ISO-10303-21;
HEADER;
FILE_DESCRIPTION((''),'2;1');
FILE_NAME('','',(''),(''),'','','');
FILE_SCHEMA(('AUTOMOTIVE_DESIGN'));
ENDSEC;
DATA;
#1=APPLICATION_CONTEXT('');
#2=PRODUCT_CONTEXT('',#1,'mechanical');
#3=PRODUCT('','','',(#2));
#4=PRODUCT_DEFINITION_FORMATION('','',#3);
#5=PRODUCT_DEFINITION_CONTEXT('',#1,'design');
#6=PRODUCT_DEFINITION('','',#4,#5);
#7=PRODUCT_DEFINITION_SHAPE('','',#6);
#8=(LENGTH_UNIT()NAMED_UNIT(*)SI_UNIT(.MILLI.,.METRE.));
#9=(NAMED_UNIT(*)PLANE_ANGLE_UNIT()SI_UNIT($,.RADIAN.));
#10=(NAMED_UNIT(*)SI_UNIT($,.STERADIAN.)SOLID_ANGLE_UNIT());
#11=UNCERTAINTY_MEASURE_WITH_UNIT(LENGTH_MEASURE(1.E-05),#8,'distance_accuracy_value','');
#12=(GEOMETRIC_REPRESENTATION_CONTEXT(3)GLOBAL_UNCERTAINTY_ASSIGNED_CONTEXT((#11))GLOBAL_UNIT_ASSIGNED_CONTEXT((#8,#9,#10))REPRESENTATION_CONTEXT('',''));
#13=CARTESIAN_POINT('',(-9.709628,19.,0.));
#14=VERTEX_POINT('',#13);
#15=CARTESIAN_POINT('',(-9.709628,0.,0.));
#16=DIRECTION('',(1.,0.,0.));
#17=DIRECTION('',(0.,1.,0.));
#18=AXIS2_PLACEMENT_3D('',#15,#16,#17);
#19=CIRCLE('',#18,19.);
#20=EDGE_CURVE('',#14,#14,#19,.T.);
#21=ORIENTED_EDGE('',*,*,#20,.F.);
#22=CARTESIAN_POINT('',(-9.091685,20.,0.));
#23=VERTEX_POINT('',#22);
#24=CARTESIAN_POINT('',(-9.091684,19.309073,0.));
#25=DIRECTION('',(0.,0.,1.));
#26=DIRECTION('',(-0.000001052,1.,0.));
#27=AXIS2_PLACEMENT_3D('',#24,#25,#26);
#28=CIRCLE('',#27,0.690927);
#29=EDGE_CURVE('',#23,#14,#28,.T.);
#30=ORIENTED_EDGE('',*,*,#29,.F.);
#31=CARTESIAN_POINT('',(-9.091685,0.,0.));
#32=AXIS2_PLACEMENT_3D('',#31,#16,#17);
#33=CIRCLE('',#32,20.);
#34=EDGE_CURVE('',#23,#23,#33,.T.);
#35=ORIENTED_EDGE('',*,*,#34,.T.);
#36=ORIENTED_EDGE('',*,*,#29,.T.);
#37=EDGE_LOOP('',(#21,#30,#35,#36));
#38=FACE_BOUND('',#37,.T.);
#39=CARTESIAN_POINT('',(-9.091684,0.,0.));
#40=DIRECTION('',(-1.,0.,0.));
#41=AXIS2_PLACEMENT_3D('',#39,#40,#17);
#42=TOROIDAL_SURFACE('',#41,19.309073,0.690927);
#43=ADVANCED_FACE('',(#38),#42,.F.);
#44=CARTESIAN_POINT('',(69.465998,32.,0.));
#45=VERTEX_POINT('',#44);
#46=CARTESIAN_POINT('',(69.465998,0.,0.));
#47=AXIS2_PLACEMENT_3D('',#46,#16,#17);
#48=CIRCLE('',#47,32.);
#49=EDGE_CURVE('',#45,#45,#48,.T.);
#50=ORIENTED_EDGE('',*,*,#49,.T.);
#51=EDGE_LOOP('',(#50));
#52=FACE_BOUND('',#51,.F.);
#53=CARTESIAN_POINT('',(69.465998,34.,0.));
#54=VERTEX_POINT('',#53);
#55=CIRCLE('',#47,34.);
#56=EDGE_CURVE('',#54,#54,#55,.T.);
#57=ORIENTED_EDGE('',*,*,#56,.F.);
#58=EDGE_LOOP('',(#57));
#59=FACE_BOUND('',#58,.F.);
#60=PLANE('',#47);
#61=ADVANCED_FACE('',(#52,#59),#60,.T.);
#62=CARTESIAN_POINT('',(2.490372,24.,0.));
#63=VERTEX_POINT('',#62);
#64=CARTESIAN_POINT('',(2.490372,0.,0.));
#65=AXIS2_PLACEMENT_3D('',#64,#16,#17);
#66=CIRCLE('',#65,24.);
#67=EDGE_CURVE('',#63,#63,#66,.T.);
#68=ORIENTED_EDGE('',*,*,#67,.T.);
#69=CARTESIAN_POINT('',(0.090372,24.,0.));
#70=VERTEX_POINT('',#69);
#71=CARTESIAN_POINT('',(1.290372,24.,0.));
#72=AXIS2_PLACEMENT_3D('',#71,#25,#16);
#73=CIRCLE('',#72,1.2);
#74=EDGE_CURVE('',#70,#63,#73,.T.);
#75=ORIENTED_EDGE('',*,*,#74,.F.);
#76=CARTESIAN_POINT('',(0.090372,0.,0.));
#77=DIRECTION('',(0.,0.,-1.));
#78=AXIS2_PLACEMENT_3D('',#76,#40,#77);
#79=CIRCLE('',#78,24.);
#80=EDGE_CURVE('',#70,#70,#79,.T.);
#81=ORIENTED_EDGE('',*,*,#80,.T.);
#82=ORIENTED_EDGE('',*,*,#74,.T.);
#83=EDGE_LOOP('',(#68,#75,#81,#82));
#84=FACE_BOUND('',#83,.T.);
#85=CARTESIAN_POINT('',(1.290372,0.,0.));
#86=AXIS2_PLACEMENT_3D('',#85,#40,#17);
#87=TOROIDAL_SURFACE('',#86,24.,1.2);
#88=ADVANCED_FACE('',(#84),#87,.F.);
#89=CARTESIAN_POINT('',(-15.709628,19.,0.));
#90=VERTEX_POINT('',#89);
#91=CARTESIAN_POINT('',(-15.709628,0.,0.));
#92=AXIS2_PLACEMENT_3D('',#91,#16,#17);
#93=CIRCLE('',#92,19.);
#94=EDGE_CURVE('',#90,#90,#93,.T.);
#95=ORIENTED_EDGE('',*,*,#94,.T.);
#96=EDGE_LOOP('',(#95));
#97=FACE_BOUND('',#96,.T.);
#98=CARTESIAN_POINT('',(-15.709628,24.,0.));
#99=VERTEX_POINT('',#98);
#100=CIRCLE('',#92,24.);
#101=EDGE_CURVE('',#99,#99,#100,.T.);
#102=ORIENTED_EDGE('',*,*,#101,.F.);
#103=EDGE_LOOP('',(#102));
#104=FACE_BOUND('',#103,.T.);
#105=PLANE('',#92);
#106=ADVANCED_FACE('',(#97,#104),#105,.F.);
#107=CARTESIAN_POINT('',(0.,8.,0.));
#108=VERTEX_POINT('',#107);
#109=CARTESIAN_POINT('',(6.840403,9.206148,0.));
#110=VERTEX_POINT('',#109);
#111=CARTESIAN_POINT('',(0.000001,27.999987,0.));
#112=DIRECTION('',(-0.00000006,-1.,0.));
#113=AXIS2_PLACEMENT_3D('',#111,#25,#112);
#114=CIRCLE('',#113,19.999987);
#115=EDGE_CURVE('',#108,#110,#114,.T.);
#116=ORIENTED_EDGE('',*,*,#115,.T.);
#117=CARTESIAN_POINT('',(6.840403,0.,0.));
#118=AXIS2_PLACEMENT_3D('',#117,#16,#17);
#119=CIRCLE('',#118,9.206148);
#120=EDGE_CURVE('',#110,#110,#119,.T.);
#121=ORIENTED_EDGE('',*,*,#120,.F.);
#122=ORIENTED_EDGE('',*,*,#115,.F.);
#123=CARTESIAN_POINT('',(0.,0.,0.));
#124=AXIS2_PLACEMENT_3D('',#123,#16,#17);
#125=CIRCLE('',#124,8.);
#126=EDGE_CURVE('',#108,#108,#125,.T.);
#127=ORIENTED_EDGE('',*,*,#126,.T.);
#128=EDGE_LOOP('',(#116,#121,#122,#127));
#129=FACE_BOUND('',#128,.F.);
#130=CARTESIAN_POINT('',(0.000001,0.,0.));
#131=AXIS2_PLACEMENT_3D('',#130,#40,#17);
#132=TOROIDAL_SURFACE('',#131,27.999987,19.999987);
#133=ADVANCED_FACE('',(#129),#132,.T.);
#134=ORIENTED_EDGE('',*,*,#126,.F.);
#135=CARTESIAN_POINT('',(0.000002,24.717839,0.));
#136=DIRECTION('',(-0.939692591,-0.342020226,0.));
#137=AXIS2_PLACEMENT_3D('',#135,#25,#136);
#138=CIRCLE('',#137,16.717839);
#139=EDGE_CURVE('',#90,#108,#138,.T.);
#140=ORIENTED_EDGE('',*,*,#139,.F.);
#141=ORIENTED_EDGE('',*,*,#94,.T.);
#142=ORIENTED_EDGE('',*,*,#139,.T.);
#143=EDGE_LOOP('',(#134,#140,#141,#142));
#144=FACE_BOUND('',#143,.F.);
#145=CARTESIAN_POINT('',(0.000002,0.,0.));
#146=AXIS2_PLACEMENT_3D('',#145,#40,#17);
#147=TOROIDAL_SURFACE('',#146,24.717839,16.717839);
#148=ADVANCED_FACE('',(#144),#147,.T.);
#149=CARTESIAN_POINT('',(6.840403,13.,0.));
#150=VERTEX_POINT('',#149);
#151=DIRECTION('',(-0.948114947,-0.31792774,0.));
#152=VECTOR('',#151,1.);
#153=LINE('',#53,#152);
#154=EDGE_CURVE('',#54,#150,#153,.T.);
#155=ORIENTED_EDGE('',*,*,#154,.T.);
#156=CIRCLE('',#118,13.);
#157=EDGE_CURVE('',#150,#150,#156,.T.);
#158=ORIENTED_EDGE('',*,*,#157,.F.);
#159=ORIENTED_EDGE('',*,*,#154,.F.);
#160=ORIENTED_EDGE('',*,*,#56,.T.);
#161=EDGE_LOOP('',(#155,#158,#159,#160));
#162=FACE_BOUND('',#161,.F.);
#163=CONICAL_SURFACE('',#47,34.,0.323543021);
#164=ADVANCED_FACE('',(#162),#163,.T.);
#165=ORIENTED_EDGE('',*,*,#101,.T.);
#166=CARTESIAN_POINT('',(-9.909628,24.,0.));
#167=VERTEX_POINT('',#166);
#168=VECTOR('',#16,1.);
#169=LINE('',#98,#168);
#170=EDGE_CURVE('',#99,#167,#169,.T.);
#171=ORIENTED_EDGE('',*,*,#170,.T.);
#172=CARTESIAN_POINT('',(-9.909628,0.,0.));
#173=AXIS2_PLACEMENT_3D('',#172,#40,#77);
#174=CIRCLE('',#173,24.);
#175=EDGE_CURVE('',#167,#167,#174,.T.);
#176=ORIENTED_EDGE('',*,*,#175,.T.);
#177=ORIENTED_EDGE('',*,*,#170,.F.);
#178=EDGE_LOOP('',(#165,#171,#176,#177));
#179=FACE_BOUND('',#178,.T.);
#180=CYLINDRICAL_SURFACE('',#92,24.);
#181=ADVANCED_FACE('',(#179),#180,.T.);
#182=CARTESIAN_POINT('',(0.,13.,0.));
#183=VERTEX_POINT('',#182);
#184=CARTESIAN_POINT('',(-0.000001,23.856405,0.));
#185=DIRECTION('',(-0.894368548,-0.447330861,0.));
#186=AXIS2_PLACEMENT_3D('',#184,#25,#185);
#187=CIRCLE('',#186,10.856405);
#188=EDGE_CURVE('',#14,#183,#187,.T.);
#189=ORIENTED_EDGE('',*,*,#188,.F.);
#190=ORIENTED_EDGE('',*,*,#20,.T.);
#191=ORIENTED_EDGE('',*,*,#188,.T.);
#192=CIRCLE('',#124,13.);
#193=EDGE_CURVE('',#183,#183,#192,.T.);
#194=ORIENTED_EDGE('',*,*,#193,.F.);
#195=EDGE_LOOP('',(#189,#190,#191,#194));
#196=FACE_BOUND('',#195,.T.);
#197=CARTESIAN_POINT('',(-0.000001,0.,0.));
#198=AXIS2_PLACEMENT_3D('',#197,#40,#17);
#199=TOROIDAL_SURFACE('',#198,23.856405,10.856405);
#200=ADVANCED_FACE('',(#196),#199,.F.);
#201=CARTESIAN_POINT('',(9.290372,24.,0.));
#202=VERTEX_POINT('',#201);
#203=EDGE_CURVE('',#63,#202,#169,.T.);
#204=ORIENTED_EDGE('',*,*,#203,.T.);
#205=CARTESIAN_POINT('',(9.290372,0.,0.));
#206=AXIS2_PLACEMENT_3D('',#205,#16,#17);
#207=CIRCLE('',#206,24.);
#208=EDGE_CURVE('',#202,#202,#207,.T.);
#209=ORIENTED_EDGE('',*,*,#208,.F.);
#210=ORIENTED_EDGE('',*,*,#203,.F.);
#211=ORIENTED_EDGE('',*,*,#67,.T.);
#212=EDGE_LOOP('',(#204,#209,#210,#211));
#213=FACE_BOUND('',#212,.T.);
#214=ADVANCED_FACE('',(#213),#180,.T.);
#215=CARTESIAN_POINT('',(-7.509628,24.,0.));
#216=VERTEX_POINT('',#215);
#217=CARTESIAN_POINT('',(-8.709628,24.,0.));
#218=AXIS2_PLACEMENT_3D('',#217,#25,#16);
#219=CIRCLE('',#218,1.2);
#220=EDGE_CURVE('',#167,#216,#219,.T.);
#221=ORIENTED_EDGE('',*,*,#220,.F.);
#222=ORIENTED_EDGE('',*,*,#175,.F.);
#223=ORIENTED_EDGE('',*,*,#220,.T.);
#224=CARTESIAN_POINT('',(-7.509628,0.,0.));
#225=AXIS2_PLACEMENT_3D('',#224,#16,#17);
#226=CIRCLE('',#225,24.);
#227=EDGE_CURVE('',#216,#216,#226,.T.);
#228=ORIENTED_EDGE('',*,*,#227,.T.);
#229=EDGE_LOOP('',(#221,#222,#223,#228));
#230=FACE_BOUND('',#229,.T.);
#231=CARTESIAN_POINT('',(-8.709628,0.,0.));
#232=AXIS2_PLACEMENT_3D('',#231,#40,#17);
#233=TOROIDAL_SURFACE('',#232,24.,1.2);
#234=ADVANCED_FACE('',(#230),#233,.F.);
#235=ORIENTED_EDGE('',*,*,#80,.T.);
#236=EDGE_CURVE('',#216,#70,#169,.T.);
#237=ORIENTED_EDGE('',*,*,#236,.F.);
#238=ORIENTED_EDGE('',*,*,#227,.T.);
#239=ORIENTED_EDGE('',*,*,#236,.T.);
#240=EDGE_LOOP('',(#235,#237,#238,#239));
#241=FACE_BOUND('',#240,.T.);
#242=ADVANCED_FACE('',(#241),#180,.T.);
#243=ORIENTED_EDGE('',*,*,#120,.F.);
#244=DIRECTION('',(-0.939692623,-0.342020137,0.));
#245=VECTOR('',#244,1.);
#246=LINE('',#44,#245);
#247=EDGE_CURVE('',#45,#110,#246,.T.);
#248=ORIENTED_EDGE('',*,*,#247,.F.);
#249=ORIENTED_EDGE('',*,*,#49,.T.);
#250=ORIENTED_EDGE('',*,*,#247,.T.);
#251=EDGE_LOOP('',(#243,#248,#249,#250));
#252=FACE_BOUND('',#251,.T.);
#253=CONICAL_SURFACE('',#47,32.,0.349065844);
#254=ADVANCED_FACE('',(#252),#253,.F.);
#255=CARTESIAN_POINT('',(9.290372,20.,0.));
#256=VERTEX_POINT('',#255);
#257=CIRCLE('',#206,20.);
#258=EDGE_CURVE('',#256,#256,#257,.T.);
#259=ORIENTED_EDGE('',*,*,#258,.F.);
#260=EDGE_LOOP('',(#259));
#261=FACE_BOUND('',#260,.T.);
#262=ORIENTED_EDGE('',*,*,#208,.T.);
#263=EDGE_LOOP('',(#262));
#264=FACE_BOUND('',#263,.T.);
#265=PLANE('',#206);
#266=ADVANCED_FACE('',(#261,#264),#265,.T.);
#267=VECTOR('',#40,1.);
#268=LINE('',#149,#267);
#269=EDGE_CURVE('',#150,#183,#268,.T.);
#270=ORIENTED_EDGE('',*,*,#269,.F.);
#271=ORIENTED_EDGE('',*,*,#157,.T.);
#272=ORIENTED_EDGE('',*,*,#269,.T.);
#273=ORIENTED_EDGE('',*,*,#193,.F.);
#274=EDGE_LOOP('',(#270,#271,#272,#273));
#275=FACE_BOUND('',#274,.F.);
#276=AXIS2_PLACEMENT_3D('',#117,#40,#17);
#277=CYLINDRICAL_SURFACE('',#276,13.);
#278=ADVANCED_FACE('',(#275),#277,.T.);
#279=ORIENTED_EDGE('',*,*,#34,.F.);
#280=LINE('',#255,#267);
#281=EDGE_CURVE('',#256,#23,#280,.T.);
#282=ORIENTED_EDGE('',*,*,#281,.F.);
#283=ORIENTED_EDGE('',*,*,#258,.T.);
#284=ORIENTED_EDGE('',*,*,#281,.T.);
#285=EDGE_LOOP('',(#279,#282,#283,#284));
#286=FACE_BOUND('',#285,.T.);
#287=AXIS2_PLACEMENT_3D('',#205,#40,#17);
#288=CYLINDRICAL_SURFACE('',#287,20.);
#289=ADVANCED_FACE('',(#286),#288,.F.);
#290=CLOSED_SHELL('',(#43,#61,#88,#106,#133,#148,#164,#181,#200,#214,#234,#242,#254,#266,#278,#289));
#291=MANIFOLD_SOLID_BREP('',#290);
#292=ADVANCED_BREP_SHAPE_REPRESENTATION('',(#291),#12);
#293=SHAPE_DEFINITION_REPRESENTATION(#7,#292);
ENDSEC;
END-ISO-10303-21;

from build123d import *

# Parameters (mm, degrees)
SKETCH_R = 1.2


with BuildPart() as part:
    # Sketch001 → Revolution (revolve)
    with BuildSketch(Plane.XY):
        with BuildLine():
            Line((69.465998, 32), (6.840403, 9.206148))
            ThreePointArc((0, 8), (3.472964, 8.303845), (6.840403, 9.206148))
            ThreePointArc((-15.709628, 19), (-9.588957, 11.023387), (0, 8))
            Line((-15.709628, 19), (-15.709628, 24))
            Line((-15.709628, 24), (9.290372, 24))
            Line((9.290372, 24), (9.290372, 20))
            Line((9.290372, 20), (-9.091685, 20))
            ThreePointArc((-9.091685, 20), (-9.679446, 19.672276), (-9.709628, 19))
            ThreePointArc((-9.709628, 19), (-5.706945, 14.621021), (0, 13))
            Line((6.840403, 13), (0, 13))
            Line((69.465998, 34), (6.840403, 13))
            Line((69.465998, 32), (69.465998, 34))
        make_face()
    revolve(axis=Axis((0, 0, 0), (1, 0, 0)))

    # Sketch → Groove (revolve, cut)
    with BuildSketch(Plane.XY):
        with Locations((-8.709628, 24)):
            Circle(SKETCH_R)
        with Locations((1.290372, 24)):
            Circle(SKETCH_R)
    revolve(axis=Axis((0, 0, 0), (1, 0, 0)), mode=Mode.SUBTRACT)


solid = part.part
